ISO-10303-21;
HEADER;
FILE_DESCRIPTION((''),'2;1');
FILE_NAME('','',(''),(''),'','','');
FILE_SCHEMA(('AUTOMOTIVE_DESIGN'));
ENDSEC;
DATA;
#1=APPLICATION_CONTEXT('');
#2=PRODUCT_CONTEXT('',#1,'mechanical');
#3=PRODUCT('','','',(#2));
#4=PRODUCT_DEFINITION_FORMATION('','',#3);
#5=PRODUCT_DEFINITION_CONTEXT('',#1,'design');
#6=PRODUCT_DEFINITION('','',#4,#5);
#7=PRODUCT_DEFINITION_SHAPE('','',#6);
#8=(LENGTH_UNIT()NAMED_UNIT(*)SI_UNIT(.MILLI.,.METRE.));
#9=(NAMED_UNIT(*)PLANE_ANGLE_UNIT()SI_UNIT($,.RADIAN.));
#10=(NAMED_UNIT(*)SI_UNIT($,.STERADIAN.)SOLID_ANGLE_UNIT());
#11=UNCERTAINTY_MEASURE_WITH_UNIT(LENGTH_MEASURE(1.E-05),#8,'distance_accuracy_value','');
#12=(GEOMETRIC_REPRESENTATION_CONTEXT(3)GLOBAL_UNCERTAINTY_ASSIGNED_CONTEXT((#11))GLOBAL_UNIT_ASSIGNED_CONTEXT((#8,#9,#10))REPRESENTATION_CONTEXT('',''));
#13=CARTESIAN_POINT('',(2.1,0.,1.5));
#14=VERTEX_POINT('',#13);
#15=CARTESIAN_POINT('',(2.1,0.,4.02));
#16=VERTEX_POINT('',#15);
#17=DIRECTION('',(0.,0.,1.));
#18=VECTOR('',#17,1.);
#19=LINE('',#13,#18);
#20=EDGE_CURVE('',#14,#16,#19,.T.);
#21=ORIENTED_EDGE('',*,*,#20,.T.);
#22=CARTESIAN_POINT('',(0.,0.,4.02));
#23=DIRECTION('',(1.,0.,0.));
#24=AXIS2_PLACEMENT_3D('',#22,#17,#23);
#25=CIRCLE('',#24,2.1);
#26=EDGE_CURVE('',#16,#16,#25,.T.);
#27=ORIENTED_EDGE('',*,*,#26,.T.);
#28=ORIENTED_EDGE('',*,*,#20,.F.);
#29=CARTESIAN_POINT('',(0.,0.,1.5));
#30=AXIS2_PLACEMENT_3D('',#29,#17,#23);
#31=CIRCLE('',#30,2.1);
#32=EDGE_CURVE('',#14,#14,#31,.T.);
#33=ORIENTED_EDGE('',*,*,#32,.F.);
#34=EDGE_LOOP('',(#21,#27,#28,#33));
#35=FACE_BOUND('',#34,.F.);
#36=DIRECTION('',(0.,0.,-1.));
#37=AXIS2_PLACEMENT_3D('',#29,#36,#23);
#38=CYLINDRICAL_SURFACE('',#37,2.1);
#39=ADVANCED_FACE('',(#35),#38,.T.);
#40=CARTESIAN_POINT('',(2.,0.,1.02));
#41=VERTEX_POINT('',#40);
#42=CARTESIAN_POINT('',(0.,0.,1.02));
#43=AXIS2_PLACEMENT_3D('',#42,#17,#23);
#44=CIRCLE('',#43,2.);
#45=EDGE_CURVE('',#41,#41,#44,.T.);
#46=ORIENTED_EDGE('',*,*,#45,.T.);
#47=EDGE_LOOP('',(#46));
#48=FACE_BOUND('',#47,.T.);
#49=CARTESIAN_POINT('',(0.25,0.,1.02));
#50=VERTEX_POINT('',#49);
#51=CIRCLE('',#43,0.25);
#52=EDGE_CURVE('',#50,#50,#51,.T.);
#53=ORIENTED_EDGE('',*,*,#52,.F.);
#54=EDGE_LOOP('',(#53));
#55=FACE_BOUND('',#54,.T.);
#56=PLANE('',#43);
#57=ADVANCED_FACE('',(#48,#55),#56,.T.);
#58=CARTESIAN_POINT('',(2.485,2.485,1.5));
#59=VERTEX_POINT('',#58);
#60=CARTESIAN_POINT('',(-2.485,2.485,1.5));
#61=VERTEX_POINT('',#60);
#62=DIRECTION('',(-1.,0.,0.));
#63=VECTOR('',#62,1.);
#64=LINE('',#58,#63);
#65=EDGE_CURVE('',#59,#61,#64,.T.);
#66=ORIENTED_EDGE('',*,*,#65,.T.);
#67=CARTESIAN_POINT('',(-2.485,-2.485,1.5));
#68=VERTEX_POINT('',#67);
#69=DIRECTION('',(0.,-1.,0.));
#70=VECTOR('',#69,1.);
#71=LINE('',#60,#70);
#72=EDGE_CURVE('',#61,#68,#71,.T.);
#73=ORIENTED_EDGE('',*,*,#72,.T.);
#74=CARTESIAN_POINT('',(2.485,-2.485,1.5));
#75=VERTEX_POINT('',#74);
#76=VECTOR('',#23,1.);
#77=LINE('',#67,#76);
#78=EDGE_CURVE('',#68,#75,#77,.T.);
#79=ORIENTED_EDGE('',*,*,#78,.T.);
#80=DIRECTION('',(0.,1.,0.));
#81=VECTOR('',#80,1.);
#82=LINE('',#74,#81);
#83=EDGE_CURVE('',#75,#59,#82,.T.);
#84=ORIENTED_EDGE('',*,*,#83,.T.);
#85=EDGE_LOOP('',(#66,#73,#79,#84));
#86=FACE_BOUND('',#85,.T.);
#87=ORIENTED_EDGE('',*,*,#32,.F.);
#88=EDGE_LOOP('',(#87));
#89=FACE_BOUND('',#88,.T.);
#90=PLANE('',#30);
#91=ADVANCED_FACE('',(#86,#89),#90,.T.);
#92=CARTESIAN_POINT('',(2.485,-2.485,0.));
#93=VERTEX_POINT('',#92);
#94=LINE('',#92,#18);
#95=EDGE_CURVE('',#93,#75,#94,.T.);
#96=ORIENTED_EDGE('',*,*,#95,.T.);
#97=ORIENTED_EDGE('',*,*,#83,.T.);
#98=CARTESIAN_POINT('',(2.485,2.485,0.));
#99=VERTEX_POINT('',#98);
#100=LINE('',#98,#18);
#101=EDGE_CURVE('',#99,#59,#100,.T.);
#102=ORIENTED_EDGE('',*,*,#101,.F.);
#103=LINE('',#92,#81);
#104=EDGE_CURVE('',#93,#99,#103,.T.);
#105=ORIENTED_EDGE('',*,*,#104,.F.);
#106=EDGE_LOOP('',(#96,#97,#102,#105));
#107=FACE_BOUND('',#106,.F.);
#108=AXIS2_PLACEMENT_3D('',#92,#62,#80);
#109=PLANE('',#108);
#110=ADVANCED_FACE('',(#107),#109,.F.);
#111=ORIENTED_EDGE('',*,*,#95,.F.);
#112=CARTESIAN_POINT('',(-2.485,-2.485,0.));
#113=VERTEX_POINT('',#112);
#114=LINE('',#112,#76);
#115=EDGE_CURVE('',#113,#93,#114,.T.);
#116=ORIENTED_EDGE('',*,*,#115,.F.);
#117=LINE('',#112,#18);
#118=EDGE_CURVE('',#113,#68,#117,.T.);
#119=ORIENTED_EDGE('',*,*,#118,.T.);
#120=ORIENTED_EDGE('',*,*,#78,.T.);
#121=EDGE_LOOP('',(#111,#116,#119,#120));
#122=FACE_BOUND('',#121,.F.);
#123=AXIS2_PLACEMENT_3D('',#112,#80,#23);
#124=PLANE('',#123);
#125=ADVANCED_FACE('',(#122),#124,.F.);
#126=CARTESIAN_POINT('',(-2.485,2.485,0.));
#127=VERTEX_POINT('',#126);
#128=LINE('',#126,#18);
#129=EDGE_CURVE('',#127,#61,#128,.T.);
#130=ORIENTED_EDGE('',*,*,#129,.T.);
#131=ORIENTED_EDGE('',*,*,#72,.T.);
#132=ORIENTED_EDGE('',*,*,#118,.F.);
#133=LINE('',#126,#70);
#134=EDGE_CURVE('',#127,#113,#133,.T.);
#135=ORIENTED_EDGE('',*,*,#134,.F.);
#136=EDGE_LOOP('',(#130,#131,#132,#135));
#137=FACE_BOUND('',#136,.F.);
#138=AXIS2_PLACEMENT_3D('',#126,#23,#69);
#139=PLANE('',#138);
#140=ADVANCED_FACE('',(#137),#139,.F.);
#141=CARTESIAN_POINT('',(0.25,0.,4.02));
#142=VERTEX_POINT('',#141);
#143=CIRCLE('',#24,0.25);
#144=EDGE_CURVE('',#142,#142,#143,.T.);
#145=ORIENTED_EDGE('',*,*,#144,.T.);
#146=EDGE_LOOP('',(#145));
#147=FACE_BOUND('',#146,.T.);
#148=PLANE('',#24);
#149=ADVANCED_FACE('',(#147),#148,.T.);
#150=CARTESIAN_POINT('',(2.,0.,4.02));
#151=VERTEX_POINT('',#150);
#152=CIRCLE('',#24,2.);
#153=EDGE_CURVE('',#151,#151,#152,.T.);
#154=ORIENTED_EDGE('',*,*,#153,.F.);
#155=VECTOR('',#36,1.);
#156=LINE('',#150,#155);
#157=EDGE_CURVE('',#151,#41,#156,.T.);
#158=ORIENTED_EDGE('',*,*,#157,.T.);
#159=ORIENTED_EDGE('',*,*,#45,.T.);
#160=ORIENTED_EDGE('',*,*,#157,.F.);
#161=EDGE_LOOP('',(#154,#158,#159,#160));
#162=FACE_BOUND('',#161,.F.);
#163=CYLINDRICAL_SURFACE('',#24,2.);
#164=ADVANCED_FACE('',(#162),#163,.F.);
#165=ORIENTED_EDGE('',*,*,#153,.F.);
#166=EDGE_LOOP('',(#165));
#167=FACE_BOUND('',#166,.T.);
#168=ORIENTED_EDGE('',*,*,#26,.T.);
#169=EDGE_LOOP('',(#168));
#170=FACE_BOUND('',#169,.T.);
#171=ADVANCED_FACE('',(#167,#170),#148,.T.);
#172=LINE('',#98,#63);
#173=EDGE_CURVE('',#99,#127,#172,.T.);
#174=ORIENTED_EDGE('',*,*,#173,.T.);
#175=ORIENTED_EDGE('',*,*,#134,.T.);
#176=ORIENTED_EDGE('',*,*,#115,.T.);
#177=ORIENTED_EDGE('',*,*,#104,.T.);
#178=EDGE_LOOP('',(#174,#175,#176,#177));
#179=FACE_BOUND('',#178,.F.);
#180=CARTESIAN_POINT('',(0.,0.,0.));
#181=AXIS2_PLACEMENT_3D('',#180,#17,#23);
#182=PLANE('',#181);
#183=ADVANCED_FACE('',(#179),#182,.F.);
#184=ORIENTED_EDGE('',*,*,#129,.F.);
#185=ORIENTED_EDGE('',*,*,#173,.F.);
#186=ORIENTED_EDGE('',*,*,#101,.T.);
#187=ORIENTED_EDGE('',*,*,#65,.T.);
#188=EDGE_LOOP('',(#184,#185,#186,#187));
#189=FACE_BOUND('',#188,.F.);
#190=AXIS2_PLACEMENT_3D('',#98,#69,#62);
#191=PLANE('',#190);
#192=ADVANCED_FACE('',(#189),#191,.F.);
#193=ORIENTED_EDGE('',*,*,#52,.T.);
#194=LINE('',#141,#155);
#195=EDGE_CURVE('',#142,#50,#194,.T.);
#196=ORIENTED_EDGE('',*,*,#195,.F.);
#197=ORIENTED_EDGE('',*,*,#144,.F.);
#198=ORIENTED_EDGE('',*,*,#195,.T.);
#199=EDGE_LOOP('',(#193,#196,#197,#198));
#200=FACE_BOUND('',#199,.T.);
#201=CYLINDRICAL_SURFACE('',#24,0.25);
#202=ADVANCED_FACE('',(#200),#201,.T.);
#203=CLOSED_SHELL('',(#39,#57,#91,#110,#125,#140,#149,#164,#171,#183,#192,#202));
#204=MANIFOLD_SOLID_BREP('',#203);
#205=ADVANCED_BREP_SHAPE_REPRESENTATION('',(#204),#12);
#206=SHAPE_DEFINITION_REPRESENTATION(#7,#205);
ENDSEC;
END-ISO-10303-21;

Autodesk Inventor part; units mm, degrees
ref_plane "YZ Plane" through (0, 0, 0) normal (1, 0, 0) x (0, 1, 0)
ref_plane "XZ Plane" through (0, 0, 0) normal (0, 1, 0) x (-1, 0, 0)
ref_plane "XY Plane" through (0, 0, 0) normal (0, 0, 1) x (1, 0, 0)
sketch "Sketch1" plane through (0, 0, 0) normal (0, 0, 1) x (1, 0, 0)
  line L0 (2.485, 2.485) -> (-2.485, 2.485)
  line L1 (-2.485, 2.485) -> (-2.485, -2.485)
  line L2 (-2.485, -2.485) -> (2.485, -2.485)
  line L3 (2.485, -2.485) -> (2.485, 2.485)
  line L4 (2.485, 2.485) -> (-2.485, -2.485) construction
  line L5 (-2.485, 2.485) -> (2.485, -2.485) construction
  point P0 (0, 0)
  dimension "d0" = 4.97
extrude "Extrusion1" add sketch "Sketch1" along normal blind 1.5
sketch "Sketch2" plane through (0, 0, 1.5) normal (0, 0, 1) x (1, 0, 0)
  circle A0 centre (0, 0) radius 2.1
  dimension "d3" = 4.2
extrude "Extrusion2" add sketch "Sketch2" along normal blind 2.52
sketch "Sketch3" plane through (0, 0, 4.02) normal (0, 0, 1) x (1, 0, 0)
  circle A0 centre (0, 0) radius 2.1 projected
  circle A1 centre (0, 0) radius 0.25
  circle A2 centre (0, 0) radius 2
  dimension "d6" = 0.5
  dimension "d7" = 4
extrude "Extrusion3" cut sketch "Sketch3" against normal blind 3 contours A2
properties part number "Connector" material "Gold"
